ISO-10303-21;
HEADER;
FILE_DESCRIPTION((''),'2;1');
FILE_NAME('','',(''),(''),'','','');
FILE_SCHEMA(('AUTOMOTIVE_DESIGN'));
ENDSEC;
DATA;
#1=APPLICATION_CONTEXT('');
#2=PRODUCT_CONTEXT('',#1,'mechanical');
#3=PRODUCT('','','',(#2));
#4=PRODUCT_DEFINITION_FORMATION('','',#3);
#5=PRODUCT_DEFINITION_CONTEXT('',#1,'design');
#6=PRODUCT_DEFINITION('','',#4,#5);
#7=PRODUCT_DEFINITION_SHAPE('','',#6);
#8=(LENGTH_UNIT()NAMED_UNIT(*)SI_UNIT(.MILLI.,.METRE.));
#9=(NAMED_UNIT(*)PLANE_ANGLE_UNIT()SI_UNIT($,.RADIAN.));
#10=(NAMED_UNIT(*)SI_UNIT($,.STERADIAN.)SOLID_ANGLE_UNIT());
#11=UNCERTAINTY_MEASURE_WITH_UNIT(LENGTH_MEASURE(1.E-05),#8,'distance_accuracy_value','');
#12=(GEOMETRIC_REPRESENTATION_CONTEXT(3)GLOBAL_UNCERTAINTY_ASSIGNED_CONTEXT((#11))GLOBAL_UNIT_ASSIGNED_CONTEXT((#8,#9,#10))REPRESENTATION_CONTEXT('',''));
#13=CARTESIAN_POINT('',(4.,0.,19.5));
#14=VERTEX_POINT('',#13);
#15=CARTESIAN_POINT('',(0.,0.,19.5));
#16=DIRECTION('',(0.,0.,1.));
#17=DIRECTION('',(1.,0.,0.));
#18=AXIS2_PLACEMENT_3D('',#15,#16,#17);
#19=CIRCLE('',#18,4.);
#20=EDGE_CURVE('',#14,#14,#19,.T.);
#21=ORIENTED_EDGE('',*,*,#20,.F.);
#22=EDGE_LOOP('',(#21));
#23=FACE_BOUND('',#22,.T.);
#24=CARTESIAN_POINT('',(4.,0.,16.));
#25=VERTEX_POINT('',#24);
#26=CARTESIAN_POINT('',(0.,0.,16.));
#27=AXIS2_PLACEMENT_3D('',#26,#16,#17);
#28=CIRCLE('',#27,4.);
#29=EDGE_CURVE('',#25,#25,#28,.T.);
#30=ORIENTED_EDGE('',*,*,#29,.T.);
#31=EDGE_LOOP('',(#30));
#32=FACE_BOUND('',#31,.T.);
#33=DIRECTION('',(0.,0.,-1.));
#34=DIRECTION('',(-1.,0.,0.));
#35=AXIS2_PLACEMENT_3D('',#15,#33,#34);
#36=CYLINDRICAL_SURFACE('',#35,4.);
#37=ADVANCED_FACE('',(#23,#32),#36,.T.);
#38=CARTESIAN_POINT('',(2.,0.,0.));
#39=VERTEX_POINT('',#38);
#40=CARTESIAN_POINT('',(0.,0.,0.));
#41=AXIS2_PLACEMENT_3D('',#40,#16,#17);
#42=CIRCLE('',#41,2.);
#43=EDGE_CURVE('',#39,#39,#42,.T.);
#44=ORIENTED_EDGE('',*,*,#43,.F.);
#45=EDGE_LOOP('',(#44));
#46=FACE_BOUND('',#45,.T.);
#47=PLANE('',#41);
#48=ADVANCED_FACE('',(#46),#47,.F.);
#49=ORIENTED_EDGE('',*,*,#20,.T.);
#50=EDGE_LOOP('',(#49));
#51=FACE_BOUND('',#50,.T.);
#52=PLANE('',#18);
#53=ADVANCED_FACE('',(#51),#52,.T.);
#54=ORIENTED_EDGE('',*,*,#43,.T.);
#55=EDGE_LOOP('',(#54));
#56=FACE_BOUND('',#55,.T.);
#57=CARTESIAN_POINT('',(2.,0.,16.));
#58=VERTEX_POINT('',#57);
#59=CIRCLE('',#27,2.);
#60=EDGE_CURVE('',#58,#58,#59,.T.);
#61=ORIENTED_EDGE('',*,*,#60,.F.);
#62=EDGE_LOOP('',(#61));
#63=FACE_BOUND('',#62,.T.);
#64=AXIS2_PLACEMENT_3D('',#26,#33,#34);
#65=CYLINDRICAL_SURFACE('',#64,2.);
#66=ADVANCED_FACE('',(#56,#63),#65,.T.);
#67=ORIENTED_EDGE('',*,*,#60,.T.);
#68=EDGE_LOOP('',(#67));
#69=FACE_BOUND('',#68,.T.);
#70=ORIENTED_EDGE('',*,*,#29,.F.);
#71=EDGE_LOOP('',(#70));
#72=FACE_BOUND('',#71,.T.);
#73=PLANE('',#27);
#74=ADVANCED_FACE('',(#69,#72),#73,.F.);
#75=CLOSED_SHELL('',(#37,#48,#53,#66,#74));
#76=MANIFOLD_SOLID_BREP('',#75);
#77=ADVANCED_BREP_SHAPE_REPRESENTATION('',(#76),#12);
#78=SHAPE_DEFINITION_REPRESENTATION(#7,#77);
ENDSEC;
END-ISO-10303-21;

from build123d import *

# Parameters (mm, degrees)
SKETCH_1_R      = 2
EXTRUDE_1_DEPTH = 16
SKETCH_2_R      = 4
EXTRUDE_2_DEPTH = 3.5


with BuildPart() as part:
    # Эскиз1 → Бобышка-Вытянуть1 (new body)
    with BuildSketch(Plane.XY):
        Circle(SKETCH_1_R)
    extrude(amount=EXTRUDE_1_DEPTH)

    # Эскиз2 → Бобышка-Вытянуть2 (add)
    with BuildSketch(Plane.XY.offset(16)):
        Circle(SKETCH_2_R)
    extrude(amount=EXTRUDE_2_DEPTH)


solid = part.part
